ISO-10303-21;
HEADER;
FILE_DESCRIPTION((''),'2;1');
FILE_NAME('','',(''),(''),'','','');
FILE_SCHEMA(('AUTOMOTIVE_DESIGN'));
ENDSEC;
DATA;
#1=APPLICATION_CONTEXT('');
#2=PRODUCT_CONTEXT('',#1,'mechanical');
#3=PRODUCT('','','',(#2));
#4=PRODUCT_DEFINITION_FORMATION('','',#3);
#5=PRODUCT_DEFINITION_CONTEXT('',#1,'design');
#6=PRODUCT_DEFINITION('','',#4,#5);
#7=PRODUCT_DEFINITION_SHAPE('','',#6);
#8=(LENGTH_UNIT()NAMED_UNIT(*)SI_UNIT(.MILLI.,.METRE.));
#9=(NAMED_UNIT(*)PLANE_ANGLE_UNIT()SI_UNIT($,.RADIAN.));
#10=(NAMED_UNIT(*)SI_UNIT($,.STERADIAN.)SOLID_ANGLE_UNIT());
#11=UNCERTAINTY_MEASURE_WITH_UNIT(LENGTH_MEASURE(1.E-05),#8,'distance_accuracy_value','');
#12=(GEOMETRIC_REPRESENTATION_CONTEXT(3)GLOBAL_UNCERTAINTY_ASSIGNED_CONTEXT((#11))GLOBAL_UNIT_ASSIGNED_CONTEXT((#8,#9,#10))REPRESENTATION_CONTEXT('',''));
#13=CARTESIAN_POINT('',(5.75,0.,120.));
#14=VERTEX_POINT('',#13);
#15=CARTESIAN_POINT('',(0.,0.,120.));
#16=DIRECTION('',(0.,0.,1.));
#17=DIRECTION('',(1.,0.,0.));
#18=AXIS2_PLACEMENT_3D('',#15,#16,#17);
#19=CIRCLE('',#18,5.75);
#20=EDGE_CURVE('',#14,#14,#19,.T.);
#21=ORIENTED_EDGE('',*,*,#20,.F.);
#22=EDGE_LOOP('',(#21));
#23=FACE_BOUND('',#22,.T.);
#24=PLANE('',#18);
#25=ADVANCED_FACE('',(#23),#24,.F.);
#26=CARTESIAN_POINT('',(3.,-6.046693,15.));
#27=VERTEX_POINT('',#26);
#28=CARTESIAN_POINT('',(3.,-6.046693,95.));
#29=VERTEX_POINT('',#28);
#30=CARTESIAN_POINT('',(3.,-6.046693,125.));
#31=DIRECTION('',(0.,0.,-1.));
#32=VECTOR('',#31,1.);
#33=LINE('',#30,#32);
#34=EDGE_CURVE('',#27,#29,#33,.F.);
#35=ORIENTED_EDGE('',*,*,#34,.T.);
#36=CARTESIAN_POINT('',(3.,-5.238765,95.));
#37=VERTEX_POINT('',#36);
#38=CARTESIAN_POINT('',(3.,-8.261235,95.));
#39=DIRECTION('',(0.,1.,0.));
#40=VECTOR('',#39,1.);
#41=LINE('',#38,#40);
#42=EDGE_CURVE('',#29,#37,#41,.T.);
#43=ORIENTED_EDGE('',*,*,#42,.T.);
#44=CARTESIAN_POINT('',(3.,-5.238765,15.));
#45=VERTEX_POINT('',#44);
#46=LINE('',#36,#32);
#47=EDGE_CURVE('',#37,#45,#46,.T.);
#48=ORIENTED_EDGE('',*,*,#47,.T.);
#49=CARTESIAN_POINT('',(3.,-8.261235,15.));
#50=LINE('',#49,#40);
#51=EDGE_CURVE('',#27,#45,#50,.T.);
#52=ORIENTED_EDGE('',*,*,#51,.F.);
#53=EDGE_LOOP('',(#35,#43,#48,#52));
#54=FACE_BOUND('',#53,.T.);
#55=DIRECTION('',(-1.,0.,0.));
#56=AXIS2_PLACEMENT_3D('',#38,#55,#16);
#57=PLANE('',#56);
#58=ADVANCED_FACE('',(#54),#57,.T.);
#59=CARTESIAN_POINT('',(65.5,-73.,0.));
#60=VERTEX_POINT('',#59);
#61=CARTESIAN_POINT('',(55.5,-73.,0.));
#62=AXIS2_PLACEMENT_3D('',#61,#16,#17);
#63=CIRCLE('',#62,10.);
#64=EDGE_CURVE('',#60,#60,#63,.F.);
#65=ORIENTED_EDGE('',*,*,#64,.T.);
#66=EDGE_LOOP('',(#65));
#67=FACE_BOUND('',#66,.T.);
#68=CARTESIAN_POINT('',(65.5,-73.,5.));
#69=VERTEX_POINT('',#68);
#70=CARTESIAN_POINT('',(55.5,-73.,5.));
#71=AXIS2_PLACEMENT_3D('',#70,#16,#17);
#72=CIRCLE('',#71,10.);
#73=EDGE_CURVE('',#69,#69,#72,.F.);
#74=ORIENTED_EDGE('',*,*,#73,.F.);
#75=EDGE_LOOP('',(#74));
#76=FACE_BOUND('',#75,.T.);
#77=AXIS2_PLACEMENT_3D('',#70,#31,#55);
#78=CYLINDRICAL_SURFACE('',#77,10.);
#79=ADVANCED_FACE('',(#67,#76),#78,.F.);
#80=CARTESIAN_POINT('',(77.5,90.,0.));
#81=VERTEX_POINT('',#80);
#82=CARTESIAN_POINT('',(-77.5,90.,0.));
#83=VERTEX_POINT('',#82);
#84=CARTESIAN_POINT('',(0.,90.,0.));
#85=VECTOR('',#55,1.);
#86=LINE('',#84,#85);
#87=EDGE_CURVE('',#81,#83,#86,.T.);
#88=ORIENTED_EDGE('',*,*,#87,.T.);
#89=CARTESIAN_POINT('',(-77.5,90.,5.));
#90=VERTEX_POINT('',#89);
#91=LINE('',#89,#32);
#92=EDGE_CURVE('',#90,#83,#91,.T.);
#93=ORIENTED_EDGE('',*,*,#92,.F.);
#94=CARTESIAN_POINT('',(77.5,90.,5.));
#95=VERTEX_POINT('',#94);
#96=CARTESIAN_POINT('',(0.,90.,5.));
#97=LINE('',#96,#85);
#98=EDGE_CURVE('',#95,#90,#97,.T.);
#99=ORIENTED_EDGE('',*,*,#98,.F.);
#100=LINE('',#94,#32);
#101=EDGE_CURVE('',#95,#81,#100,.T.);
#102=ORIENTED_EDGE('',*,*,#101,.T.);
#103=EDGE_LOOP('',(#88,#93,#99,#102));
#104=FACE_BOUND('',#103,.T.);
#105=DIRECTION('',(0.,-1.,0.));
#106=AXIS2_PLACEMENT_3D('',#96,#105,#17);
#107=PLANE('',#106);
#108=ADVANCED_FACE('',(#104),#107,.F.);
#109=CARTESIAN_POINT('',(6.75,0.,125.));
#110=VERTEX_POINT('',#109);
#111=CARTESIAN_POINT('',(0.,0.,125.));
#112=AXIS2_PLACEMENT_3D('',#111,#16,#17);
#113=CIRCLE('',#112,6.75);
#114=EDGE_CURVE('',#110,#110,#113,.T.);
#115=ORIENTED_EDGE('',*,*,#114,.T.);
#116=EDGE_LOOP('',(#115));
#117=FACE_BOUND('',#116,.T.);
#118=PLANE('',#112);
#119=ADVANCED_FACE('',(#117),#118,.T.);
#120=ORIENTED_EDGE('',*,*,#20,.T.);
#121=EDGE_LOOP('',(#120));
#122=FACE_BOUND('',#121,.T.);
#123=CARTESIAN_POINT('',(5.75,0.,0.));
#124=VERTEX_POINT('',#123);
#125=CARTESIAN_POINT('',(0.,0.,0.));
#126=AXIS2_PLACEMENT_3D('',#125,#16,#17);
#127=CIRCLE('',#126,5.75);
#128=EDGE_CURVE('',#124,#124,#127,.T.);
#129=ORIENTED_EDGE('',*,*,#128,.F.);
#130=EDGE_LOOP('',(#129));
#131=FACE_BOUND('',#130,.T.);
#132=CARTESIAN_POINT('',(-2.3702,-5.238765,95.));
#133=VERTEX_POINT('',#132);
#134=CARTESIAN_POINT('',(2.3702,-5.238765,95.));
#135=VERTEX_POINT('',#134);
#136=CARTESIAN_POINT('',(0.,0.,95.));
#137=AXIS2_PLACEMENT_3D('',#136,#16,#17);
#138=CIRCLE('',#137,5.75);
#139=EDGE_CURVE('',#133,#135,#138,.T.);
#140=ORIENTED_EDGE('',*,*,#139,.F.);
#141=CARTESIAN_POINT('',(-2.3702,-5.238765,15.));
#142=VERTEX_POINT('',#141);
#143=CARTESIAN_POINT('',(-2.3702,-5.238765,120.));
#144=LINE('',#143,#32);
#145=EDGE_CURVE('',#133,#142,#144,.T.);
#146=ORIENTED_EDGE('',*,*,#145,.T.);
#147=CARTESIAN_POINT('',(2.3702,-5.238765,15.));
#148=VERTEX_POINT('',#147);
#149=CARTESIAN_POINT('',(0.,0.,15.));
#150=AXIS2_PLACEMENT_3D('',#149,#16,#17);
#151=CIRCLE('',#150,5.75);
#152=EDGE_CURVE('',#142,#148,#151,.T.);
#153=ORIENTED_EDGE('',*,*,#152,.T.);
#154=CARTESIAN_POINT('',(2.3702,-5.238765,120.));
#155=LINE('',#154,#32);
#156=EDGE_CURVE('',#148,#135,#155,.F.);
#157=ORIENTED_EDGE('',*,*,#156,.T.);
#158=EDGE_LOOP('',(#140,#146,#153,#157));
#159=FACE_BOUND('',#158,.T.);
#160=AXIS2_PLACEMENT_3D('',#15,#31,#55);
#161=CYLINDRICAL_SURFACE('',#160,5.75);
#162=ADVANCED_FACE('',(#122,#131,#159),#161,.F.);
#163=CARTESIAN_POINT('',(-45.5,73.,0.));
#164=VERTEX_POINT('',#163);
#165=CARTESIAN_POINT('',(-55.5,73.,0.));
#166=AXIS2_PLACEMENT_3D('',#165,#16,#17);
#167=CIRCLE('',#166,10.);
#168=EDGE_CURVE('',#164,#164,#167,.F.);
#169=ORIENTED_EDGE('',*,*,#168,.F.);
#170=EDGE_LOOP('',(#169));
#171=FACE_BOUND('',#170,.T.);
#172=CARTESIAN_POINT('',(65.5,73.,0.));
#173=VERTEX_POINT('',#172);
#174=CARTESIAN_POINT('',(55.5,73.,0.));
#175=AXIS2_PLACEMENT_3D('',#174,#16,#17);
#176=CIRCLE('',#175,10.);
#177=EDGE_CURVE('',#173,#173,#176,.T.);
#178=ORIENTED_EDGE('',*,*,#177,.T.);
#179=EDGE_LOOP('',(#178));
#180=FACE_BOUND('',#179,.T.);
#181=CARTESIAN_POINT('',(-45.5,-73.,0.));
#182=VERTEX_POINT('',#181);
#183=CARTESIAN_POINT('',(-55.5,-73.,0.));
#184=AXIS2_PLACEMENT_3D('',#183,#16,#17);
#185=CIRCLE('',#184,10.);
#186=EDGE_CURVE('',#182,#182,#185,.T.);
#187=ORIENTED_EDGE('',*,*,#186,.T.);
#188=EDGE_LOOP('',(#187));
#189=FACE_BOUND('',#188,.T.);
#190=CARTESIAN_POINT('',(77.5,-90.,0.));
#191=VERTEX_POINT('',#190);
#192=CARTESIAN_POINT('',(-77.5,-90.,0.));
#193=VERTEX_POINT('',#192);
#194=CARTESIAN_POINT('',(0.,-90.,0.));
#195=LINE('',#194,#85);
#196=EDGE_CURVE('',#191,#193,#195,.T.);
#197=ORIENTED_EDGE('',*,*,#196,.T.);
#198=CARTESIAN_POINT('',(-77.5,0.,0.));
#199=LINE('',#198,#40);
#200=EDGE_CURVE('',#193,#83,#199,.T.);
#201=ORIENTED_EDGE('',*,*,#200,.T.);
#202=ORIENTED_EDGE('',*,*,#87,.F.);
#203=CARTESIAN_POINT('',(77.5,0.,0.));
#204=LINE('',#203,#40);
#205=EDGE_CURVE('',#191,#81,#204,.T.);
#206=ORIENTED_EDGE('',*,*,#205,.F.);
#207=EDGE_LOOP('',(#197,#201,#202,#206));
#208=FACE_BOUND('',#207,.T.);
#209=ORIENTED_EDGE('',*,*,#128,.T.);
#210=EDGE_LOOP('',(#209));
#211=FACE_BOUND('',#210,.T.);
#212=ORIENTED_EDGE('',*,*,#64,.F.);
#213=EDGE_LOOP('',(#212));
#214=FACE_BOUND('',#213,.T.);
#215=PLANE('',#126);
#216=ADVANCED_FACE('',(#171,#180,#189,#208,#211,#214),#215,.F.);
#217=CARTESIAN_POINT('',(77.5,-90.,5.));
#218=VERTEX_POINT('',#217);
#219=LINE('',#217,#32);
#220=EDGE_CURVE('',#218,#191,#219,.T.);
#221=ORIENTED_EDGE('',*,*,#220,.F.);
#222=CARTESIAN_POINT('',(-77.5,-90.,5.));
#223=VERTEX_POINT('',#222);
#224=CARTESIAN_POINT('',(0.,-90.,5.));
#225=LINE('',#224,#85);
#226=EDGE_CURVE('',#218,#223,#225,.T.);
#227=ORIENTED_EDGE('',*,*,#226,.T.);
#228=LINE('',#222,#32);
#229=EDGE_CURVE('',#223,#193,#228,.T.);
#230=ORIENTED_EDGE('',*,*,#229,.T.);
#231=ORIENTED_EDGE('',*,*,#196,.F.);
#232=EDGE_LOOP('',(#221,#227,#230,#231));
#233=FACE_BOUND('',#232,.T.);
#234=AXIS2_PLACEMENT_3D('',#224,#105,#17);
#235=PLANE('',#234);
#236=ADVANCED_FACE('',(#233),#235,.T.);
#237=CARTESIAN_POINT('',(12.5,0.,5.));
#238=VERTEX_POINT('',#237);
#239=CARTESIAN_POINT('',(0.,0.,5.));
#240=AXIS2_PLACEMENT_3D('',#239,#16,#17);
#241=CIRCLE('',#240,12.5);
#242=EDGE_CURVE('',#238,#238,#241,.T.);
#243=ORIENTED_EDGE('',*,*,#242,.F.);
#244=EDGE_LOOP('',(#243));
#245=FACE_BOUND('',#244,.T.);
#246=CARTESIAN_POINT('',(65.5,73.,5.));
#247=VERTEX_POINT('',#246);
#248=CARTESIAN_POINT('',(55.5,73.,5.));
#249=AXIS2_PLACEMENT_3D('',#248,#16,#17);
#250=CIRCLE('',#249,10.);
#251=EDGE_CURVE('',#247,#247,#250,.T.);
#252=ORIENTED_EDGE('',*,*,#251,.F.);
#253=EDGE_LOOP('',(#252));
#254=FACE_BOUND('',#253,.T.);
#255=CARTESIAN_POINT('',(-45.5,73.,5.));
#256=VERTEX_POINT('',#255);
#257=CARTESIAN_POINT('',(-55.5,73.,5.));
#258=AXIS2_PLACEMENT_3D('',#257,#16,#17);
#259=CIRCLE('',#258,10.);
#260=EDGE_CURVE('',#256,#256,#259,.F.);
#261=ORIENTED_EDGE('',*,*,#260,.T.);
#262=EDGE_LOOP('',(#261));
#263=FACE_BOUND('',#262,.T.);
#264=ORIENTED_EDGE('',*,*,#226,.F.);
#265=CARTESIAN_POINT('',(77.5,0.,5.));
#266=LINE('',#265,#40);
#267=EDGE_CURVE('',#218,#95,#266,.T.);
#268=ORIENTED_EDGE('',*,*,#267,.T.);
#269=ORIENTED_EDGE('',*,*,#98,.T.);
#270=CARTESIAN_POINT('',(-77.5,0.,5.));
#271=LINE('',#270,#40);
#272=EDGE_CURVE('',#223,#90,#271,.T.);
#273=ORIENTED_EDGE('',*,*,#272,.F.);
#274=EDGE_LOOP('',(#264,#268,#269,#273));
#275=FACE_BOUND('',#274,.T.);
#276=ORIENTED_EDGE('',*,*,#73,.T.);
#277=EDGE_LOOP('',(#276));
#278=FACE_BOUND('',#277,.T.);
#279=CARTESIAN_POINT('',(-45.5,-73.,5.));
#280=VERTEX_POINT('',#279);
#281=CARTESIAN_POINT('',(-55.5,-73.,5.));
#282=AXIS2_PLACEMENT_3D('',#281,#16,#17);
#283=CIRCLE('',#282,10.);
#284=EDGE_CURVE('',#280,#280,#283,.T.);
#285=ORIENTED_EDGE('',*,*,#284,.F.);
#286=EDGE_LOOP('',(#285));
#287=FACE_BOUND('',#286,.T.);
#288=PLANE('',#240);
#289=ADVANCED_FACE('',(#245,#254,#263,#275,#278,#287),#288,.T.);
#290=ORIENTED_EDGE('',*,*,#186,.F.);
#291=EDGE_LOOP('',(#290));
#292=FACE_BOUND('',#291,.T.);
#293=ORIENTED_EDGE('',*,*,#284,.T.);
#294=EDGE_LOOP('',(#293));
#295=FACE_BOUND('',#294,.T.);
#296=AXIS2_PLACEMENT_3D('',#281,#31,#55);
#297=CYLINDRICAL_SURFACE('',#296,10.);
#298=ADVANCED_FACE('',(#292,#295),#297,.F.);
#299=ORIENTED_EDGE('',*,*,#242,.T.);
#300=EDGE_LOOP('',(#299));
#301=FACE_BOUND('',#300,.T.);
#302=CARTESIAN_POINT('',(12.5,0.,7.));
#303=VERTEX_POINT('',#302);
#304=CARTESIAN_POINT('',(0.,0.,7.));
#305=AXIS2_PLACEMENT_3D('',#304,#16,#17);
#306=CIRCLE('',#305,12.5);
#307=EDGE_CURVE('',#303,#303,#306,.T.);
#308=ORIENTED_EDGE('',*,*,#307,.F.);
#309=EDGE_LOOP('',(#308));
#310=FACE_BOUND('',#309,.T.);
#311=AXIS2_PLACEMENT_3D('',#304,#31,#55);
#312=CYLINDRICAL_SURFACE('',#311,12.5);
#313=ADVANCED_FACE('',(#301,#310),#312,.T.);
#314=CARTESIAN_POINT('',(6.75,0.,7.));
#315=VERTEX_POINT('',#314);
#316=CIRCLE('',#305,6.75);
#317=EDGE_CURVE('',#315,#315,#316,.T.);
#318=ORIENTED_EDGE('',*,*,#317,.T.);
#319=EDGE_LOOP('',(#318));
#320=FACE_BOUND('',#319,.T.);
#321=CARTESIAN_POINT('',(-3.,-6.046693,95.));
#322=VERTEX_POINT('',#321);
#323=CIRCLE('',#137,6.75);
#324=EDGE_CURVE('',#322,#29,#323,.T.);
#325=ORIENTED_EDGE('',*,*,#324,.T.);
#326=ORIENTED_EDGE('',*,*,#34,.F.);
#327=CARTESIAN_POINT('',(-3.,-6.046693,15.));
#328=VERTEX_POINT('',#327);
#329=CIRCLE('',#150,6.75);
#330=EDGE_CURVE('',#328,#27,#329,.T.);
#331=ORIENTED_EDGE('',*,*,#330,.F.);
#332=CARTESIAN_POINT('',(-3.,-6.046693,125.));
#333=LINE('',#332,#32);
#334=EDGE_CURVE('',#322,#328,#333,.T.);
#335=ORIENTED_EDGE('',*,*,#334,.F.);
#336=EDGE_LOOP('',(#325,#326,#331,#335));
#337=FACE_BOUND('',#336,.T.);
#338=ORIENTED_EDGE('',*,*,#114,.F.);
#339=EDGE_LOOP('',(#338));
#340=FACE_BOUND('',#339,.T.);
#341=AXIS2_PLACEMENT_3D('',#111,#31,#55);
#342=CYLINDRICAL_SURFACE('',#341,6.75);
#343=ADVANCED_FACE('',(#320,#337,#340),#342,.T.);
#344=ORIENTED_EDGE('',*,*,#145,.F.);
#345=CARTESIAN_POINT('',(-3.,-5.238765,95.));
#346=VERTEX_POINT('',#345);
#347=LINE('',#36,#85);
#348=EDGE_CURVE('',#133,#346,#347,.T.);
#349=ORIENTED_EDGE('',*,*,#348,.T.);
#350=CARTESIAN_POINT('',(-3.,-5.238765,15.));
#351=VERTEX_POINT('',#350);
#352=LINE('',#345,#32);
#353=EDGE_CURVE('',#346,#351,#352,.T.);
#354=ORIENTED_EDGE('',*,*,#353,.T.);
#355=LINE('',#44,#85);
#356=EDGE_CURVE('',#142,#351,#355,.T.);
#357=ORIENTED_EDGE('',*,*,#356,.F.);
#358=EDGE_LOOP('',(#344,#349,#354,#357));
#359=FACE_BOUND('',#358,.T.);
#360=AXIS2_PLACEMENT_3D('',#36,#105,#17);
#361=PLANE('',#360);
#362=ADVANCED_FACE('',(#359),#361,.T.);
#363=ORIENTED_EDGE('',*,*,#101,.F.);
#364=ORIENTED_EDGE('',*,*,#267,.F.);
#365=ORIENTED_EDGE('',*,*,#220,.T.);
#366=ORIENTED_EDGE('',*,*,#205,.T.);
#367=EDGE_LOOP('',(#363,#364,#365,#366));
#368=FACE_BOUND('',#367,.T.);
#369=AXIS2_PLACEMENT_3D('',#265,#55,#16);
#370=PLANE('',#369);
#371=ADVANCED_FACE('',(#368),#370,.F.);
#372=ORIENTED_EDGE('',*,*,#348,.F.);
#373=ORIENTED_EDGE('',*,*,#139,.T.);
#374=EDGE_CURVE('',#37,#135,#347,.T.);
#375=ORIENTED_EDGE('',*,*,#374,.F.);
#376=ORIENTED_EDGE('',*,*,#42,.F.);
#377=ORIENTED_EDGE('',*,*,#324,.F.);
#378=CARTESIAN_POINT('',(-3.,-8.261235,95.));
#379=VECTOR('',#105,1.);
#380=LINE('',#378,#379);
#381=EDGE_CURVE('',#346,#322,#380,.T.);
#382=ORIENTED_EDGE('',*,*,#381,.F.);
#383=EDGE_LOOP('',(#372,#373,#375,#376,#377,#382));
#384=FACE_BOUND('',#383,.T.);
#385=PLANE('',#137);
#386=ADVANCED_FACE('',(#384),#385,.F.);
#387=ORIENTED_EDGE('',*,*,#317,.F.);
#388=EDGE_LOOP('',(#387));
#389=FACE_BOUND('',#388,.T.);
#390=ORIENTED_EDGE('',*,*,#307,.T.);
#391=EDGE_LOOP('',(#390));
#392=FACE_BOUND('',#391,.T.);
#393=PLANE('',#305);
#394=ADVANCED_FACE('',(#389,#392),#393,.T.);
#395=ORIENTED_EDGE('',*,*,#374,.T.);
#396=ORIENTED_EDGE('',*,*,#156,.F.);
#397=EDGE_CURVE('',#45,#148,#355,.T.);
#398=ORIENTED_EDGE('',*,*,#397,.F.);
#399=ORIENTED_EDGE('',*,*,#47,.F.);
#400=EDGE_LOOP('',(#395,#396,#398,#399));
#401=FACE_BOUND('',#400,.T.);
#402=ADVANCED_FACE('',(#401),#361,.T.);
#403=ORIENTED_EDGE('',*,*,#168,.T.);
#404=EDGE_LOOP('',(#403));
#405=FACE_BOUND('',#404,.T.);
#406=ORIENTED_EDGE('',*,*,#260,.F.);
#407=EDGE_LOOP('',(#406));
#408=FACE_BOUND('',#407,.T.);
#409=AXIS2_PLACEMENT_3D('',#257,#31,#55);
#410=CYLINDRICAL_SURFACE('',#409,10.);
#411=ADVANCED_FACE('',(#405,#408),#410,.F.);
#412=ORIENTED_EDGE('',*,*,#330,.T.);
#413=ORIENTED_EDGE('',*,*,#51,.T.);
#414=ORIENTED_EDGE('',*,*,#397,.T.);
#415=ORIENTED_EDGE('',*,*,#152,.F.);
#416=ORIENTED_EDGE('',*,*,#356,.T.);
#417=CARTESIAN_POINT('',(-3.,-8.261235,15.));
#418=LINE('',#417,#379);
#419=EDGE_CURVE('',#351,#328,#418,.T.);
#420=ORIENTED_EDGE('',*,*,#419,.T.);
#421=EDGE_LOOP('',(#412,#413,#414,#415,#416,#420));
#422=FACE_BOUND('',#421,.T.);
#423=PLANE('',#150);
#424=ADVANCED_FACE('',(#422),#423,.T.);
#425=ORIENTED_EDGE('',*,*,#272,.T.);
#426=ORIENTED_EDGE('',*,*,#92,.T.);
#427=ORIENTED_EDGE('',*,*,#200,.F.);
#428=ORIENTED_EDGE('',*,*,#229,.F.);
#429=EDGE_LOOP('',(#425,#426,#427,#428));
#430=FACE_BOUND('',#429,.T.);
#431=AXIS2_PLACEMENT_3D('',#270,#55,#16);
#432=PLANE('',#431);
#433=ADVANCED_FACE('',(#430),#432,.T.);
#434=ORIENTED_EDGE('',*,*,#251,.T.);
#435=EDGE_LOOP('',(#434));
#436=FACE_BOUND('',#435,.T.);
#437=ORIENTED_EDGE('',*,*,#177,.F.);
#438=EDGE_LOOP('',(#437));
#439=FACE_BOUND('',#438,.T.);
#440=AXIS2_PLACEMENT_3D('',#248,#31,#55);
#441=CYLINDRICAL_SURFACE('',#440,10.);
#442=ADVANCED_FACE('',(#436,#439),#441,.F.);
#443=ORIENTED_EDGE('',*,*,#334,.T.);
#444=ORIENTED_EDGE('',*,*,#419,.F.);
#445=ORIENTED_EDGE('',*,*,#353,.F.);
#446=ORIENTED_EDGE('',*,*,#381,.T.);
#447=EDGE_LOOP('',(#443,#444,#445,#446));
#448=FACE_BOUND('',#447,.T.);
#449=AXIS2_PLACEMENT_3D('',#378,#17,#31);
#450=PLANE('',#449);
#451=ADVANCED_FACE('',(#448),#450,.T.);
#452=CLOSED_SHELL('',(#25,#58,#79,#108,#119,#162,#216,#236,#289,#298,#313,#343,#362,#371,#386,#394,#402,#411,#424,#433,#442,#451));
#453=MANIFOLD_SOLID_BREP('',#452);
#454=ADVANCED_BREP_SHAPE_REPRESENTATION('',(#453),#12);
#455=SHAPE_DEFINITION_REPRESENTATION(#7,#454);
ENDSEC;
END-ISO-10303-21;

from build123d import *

# Parameters (mm, degrees)
SKETCH1_W           = 155
SKETCH1_H           = 180
SKETCH1_R           = 10
SKETCH1_R_2         = 12.5
BOSS_EXTRUDE1_DEPTH = 5
SKETCH1_3_R         = 12.5
SKETCH1_3_R_2       = 6.75
BOSS_EXTRUDE2_DEPTH = 7
SKETCH1_4_R         = 6.75
BOSS_EXTRUDE3_DEPTH = 125
SKETCH1_5_R         = 5.75
CUT_EXTRUDE1_DEPTH  = 120
SKETCH2_W           = 6
SKETCH2_H           = 3.022470888
CUT_EXTRUDE2_DEPTH  = 80


with BuildPart() as part:
    # Sketch1 → Boss-Extrude1 (new body)
    with BuildSketch(Plane.XY):
        Rectangle(SKETCH1_W, SKETCH1_H)
        with Locations((-55.5, -73)):
            Circle(SKETCH1_R, mode=Mode.SUBTRACT)
        with Locations((55.5, -73)):
            Circle(SKETCH1_R, mode=Mode.SUBTRACT)
        Circle(SKETCH1_R_2, mode=Mode.SUBTRACT)
        with Locations((-55.5, 73)):
            Circle(SKETCH1_R, mode=Mode.SUBTRACT)
        with Locations((55.5, 73)):
            Circle(SKETCH1_R, mode=Mode.SUBTRACT)
    extrude(amount=BOSS_EXTRUDE1_DEPTH)

    # Sketch1<3> → Boss-Extrude2 (add)
    with BuildSketch(Plane.XY):
        Circle(SKETCH1_3_R)
        Circle(SKETCH1_3_R_2, mode=Mode.SUBTRACT)
    extrude(amount=BOSS_EXTRUDE2_DEPTH)

    # Sketch1<4> → Boss-Extrude3 (add)
    with BuildSketch(Plane.XY):
        Circle(SKETCH1_4_R)
    extrude(amount=BOSS_EXTRUDE3_DEPTH)

    # Sketch1<5> → Cut-Extrude1 (cut)
    with BuildSketch(Plane.XY):
        Circle(SKETCH1_5_R)
    extrude(amount=CUT_EXTRUDE1_DEPTH, mode=Mode.SUBTRACT)

    # Sketch2 → Cut-Extrude2 (cut)
    with BuildSketch(Plane.XY.offset(15)):
        with Locations((0, -6.75)):
            Rectangle(SKETCH2_W, SKETCH2_H)
    extrude(amount=CUT_EXTRUDE2_DEPTH, mode=Mode.SUBTRACT)


solid = part.part
